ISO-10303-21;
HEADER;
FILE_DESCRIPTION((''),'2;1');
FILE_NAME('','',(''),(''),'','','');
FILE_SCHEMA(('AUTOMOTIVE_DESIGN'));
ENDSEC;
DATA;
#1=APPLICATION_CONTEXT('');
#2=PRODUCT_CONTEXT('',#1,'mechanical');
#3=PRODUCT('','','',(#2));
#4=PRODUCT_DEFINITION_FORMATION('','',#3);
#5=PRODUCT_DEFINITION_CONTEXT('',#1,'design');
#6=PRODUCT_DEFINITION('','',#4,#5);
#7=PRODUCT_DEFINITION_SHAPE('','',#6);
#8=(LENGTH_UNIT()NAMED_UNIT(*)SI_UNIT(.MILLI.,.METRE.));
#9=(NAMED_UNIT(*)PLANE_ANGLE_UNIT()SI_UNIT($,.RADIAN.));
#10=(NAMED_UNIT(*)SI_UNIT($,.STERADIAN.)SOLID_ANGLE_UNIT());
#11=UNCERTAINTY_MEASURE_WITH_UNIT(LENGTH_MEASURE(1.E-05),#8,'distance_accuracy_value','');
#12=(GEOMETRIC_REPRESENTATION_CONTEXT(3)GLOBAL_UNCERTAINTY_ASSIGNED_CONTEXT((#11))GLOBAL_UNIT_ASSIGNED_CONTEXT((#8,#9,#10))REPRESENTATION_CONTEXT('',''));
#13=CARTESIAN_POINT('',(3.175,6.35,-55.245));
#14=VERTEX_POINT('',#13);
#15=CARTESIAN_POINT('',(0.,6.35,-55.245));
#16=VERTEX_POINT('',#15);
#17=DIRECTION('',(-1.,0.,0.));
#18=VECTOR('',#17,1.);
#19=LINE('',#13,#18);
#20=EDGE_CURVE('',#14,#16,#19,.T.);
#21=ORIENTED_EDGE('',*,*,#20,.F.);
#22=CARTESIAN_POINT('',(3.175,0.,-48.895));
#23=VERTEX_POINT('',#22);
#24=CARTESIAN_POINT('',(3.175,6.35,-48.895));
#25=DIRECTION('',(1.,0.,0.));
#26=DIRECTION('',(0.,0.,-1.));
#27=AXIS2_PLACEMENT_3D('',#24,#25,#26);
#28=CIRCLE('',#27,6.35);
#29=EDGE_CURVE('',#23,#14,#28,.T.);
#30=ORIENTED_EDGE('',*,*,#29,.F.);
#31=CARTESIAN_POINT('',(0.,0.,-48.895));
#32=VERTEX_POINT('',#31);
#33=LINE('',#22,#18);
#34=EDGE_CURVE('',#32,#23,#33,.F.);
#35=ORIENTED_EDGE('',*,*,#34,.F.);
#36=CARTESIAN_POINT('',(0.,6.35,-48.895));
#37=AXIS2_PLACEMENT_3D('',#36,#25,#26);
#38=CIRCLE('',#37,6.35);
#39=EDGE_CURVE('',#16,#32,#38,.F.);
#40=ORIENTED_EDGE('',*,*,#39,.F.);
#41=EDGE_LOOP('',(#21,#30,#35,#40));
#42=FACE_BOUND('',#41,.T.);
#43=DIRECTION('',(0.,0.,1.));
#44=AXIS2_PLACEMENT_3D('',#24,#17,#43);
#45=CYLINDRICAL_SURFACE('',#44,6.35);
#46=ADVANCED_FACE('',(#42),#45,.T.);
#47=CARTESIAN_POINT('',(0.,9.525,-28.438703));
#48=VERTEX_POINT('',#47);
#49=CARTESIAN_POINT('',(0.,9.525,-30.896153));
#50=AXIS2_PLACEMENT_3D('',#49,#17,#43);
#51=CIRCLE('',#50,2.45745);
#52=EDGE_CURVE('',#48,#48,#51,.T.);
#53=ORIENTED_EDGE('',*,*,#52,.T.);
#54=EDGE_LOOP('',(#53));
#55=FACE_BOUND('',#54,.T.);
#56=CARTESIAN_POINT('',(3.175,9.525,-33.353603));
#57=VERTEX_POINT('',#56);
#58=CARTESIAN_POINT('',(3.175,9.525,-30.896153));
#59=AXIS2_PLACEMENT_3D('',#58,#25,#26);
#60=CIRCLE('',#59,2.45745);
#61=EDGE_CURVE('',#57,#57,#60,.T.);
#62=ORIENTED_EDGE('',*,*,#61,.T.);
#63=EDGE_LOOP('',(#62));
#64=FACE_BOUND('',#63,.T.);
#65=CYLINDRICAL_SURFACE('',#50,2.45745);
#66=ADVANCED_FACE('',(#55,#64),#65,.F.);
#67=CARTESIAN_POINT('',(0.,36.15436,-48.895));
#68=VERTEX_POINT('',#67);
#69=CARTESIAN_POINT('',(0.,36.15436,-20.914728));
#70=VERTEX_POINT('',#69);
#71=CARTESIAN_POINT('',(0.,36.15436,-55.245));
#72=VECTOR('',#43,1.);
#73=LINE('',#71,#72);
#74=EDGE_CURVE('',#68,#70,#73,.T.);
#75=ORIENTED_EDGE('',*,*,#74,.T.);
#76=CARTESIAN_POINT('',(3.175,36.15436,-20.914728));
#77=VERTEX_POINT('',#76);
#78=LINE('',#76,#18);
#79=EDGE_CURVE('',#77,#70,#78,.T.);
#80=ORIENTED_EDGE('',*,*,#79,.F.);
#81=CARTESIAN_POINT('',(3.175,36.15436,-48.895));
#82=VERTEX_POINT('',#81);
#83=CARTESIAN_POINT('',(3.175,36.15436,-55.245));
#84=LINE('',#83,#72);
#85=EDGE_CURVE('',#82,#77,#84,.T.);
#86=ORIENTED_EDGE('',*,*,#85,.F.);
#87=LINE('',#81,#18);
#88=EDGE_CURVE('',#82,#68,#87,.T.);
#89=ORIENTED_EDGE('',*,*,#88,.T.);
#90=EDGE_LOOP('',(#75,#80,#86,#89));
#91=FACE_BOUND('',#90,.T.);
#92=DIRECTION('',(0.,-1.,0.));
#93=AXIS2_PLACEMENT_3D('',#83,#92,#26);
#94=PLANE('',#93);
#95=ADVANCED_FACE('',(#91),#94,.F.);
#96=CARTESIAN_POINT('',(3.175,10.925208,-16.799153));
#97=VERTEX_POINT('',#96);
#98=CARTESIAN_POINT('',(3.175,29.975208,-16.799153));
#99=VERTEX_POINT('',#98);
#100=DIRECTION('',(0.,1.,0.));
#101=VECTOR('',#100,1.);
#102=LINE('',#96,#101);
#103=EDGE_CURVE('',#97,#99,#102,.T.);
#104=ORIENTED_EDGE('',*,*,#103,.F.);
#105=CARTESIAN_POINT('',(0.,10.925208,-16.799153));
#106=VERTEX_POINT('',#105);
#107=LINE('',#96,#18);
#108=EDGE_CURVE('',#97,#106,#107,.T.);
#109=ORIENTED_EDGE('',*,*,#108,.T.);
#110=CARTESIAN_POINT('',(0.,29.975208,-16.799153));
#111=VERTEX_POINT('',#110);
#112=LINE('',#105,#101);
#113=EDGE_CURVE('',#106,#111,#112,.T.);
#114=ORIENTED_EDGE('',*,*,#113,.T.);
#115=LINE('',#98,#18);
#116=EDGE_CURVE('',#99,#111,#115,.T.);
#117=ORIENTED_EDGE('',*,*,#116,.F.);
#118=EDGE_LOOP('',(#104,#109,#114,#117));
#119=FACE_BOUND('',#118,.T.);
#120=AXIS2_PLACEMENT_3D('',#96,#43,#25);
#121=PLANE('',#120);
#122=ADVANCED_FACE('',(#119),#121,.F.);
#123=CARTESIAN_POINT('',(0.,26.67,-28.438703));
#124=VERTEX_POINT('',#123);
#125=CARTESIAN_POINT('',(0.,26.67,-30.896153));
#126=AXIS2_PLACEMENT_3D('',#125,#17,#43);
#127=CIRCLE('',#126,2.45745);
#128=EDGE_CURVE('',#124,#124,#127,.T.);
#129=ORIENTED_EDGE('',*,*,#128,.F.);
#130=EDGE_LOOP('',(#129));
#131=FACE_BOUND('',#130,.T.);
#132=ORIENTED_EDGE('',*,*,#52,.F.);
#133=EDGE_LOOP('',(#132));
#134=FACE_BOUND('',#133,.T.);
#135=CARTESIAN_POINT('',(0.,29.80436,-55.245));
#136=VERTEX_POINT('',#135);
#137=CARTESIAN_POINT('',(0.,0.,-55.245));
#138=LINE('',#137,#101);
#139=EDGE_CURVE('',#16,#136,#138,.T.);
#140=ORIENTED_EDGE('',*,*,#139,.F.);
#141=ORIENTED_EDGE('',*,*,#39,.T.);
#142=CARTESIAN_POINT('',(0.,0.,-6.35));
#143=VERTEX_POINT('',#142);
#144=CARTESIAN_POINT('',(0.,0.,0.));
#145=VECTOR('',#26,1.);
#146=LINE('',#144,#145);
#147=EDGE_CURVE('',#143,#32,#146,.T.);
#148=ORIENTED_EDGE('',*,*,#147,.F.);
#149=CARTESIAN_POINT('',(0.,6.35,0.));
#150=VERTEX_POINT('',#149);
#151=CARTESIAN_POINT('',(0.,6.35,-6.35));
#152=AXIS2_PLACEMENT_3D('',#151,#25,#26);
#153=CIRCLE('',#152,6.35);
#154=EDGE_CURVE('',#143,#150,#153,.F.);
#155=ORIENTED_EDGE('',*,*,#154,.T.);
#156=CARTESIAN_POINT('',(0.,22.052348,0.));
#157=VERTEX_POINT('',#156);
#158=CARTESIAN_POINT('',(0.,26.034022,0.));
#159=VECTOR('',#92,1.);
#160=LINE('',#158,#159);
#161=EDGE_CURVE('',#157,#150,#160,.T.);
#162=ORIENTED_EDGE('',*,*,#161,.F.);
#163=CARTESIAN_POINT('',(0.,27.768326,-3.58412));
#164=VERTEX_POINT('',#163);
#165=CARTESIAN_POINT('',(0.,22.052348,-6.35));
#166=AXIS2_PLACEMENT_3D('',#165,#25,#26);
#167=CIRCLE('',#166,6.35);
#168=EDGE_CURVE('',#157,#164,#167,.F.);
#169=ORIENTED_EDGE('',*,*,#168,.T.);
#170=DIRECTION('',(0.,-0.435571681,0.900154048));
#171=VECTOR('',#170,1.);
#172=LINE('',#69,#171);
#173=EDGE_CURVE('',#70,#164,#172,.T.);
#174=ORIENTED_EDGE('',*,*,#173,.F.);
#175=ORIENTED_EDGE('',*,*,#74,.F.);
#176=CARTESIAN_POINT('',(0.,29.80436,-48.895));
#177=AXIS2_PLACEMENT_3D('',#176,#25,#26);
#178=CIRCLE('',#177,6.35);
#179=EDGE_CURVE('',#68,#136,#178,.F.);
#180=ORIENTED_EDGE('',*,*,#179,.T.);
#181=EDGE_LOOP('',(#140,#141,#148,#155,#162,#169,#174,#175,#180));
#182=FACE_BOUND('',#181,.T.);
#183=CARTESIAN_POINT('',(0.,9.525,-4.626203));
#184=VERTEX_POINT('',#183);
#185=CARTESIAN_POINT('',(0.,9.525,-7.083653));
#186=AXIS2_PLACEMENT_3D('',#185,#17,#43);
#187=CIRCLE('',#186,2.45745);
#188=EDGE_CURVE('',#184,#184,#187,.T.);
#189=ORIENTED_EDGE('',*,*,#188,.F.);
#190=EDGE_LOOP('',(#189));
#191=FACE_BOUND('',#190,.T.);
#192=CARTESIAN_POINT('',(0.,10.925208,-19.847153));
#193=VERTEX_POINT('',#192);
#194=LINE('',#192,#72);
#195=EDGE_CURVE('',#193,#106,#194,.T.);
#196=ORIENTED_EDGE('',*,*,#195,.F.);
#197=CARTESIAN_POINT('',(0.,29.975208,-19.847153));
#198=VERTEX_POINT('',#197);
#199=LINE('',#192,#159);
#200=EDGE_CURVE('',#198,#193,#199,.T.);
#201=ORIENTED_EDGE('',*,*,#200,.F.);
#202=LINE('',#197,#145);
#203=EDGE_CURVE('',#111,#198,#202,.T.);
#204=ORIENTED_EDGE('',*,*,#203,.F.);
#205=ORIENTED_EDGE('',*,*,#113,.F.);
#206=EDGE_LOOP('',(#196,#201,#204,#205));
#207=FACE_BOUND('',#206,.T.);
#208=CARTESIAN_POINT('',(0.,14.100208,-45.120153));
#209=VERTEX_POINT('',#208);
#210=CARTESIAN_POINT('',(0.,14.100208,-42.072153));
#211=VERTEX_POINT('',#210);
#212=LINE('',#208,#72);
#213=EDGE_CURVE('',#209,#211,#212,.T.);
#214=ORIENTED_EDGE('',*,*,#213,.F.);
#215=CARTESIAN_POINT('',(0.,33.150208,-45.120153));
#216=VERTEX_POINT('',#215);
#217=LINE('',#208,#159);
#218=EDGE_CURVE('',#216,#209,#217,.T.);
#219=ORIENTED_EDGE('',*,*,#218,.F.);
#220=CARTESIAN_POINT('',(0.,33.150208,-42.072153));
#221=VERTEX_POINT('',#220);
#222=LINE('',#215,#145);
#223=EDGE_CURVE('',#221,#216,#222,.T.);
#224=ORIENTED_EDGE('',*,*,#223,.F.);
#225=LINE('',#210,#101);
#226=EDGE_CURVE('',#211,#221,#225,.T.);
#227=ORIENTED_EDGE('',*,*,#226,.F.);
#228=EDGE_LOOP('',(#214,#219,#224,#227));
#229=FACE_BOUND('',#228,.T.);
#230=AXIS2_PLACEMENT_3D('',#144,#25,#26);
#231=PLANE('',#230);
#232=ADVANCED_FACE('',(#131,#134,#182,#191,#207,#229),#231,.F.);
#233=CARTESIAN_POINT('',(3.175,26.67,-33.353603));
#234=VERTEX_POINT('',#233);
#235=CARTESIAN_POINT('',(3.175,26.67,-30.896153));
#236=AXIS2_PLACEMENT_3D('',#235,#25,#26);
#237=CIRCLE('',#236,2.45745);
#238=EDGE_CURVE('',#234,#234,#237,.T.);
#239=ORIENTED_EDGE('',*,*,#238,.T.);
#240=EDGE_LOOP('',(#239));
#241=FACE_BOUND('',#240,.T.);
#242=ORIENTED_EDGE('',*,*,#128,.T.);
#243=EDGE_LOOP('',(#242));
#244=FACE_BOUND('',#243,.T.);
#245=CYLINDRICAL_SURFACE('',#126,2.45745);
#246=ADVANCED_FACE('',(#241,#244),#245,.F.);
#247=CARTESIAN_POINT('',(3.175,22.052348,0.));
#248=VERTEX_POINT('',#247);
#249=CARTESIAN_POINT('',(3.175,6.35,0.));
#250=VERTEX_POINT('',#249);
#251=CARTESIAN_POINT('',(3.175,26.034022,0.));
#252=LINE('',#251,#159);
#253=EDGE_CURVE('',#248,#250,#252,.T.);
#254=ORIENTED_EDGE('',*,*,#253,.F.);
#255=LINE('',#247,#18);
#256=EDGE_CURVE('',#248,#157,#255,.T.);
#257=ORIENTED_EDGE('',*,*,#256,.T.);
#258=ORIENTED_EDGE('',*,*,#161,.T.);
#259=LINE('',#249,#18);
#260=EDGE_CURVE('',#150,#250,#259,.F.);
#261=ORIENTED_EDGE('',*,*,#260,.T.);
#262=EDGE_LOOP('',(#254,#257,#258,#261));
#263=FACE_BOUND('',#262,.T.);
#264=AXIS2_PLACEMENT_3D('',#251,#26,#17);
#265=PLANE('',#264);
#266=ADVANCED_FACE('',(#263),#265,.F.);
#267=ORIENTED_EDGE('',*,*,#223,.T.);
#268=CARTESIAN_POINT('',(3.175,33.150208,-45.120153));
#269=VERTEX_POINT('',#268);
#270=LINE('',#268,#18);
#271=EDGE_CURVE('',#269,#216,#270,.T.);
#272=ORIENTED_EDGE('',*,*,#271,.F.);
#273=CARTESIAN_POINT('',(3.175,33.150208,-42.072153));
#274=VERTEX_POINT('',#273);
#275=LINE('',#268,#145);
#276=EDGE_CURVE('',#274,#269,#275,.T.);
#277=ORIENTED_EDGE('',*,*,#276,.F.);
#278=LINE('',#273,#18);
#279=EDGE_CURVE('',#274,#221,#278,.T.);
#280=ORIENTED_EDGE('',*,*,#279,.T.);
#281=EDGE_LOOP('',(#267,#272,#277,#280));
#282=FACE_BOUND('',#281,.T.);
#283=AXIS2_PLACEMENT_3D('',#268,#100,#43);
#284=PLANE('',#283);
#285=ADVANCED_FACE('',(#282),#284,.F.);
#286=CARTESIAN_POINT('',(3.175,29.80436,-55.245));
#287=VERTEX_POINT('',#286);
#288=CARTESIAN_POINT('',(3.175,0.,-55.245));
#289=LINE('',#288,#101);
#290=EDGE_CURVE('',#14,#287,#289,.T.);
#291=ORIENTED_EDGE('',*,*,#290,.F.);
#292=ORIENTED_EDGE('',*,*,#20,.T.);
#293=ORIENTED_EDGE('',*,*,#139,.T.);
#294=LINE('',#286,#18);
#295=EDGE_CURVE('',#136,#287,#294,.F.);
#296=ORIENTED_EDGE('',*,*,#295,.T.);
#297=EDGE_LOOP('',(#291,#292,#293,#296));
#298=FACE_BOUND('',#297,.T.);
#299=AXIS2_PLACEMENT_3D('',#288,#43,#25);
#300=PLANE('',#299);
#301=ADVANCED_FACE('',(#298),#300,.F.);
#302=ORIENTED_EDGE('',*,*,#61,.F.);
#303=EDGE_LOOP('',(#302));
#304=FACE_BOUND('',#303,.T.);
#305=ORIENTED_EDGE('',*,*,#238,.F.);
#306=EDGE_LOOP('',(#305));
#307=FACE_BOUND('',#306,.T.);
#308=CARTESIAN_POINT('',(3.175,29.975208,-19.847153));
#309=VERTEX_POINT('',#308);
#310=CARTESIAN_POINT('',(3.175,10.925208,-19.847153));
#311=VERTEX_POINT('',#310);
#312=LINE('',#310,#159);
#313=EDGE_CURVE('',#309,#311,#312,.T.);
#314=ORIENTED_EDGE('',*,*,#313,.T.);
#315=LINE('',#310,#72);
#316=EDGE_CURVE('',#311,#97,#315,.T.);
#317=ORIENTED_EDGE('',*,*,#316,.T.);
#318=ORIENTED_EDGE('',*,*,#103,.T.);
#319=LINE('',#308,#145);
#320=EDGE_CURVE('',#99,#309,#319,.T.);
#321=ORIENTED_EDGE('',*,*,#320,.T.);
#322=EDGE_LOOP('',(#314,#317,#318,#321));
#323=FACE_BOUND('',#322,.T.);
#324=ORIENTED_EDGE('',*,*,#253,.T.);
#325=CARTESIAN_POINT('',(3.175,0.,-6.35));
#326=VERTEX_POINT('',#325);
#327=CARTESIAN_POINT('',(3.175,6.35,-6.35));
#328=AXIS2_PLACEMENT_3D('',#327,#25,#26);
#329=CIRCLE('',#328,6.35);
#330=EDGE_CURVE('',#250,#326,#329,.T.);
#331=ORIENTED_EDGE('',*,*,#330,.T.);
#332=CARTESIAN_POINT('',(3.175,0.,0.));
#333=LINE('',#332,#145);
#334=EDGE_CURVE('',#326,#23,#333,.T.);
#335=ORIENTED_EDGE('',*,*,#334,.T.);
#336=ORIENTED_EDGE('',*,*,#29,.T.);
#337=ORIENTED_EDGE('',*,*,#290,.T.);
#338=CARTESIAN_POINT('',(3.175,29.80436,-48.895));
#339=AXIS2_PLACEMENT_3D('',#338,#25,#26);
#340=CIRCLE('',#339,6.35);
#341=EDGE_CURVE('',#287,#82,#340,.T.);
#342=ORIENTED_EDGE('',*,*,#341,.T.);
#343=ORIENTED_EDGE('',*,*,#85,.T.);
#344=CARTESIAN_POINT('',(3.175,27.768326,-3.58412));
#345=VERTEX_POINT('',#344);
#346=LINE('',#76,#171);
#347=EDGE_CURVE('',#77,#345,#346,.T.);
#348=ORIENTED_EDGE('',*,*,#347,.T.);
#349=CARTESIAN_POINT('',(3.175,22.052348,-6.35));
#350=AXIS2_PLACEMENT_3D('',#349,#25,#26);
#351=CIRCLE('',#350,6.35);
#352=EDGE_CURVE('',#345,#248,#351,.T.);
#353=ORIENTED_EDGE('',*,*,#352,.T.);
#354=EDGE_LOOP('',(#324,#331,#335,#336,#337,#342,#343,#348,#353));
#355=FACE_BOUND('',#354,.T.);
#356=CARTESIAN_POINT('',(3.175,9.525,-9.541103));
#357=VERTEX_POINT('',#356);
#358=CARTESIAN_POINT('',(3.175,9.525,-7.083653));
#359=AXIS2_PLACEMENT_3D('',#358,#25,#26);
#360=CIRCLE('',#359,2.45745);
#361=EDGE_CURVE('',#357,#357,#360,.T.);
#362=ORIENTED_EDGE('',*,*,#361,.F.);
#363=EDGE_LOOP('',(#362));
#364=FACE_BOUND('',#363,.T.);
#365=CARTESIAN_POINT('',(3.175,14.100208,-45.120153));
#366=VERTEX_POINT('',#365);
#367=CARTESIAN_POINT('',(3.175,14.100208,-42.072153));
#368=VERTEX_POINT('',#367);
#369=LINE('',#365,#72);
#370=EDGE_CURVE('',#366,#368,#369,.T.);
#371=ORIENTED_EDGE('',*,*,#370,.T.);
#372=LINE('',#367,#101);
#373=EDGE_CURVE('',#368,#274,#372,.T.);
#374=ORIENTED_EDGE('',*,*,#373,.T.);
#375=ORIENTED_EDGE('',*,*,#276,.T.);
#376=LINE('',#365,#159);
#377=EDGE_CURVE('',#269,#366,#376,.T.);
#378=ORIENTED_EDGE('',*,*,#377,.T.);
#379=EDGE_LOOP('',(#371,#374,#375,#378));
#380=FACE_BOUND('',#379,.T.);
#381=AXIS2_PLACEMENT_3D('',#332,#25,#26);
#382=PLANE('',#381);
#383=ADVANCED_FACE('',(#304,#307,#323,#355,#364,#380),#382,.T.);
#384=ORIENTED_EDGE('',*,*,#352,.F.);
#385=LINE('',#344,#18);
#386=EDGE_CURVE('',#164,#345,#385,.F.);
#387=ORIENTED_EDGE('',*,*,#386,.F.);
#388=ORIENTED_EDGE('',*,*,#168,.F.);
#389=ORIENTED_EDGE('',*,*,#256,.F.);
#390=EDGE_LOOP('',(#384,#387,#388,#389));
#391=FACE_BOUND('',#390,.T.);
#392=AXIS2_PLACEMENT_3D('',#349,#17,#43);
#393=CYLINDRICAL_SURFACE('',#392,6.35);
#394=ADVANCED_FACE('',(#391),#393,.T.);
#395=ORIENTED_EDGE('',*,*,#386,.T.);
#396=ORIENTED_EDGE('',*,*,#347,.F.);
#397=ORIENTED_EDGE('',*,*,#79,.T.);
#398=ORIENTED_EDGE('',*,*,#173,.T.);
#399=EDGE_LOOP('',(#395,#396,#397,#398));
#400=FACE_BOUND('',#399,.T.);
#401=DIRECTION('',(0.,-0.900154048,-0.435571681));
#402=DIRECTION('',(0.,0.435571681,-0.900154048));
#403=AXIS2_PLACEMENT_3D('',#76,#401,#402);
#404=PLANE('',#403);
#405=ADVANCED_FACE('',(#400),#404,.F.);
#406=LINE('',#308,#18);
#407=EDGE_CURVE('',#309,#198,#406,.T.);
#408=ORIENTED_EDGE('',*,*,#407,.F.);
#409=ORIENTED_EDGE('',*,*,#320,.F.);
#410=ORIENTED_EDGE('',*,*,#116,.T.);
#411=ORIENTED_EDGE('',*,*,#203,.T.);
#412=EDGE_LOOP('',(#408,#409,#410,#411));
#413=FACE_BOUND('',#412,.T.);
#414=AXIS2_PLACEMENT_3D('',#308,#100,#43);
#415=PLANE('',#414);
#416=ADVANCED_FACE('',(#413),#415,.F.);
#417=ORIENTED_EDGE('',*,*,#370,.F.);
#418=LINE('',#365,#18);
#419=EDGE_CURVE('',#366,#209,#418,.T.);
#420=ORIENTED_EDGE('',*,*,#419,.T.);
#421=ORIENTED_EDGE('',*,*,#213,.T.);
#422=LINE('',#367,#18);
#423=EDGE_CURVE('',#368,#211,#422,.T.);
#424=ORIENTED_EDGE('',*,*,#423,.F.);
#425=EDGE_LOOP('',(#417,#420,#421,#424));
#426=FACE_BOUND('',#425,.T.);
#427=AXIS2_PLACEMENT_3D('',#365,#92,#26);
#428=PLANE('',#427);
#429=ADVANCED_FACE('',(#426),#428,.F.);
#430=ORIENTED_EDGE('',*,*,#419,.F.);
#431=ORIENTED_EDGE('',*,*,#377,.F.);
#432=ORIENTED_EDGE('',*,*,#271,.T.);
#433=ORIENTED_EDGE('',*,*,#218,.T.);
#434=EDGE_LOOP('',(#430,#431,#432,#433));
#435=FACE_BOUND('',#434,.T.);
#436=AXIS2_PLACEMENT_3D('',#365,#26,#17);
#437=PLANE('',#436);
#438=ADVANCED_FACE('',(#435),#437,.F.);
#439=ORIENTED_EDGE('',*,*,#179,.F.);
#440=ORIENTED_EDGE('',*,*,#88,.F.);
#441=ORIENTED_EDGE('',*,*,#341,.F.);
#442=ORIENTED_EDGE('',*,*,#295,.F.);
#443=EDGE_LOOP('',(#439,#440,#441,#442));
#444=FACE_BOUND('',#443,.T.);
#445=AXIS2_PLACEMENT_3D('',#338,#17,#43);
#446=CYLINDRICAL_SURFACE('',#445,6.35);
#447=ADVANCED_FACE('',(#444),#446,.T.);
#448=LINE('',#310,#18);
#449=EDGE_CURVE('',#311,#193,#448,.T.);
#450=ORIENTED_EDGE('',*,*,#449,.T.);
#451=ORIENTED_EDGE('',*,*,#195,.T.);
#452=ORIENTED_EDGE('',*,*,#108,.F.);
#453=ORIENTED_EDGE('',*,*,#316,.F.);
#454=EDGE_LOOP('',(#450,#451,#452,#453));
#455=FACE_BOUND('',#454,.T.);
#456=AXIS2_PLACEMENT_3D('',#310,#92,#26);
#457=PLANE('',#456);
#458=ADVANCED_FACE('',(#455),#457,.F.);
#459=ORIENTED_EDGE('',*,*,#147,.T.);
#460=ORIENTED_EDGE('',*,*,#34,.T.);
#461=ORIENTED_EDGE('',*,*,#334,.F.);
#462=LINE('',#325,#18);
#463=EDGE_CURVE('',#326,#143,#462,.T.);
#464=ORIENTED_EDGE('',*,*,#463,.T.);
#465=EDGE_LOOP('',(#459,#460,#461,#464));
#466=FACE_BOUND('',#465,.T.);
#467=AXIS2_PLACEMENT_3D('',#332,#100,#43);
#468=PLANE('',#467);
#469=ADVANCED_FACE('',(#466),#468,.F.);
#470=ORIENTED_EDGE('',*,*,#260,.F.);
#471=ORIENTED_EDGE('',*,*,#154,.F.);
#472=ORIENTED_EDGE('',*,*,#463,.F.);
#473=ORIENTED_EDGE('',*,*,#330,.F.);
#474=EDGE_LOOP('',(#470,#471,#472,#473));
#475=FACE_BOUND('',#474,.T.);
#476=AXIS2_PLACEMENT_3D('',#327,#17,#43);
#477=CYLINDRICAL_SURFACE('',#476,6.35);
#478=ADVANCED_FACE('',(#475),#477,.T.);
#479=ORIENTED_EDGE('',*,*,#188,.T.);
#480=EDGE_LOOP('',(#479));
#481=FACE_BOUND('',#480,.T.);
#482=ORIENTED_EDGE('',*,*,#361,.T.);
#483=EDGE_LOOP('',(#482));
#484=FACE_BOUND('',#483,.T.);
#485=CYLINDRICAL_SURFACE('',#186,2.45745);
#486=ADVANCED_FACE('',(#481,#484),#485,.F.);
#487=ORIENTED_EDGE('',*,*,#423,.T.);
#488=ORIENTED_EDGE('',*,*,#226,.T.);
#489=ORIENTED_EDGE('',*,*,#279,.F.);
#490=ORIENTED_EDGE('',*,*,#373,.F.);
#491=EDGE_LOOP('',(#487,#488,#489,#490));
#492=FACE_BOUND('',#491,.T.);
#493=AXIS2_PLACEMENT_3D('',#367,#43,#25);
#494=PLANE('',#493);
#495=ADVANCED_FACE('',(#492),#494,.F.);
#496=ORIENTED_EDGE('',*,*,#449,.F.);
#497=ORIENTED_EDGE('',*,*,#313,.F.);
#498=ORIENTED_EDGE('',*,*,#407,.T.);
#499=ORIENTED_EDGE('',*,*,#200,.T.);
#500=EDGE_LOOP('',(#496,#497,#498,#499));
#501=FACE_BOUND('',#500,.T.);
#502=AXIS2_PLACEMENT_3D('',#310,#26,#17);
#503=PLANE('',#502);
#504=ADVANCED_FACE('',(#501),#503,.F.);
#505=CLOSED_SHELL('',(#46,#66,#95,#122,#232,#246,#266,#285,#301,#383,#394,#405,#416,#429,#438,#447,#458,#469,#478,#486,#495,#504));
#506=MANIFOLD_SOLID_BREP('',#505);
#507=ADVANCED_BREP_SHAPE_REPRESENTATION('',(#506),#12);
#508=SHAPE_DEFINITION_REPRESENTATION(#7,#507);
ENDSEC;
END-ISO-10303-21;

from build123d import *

# Parameters (mm, degrees)
BOSS_EXTRUDE1_DEPTH              = 3.175
SKETCH7_W                        = 3.048
SKETCH7_H                        = 19.05
CUT_EXTRUDE1_DEPTH               = 3.175
FILLET1_R                        = 6.35
F_10_0_1935_DIAMETER_HOLE2_D     = 4.9149
F_10_0_1935_DIAMETER_HOLE2_DEPTH = 9.699415072
F_10_0_1935_DIAMETER_HOLE2_TIP   = 1.476584928


with BuildPart() as part:
    # Sketch1 → Boss-Extrude1 (new body)
    with BuildSketch(Plane(origin=(0, 0, 0), x_dir=(0, 0, -1), z_dir=(1, 0, 0))):
        Polygon((55.245, 0), (55.245, 36.15436), (20.9147283, 36.15436), (0, 26.034021846), (0, 0), align=None)
    extrude(amount=BOSS_EXTRUDE1_DEPTH)

    # Sketch7 → Cut-Extrude1 (cut)
    with BuildSketch(Plane.ZY):
        with Locations((-43.596153092, 23.625208274)):
            Rectangle(SKETCH7_W, SKETCH7_H)
        with Locations((-18.323153092, 20.450208274)):
            Rectangle(SKETCH7_W, SKETCH7_H)
    extrude(amount=-CUT_EXTRUDE1_DEPTH, mode=Mode.SUBTRACT)

    # Fillet1
    fillet1_edges = [part.edges().sort_by_distance(p)[0] for p in [
        (1.5875, 0, 0),
        (1.5875, 26.034021846, 0),
        (1.5875, 36.15436, -55.245),
        (1.5875, 0, -55.245),
    ]]
    fillet(fillet1_edges, radius=FILLET1_R)

    # #10 (0.1935) Diameter Hole2
    with Locations(Plane.ZY):
        with Locations((-30.896153092, 9.525), (-30.896153092, 26.67), (-7.083653092, 9.525)):
            Hole(F_10_0_1935_DIAMETER_HOLE2_D / 2, depth=F_10_0_1935_DIAMETER_HOLE2_DEPTH)
            with Locations((0, 0, -(F_10_0_1935_DIAMETER_HOLE2_DEPTH + F_10_0_1935_DIAMETER_HOLE2_TIP / 2))):  # 118° drill point
                Cone(0, F_10_0_1935_DIAMETER_HOLE2_D / 2, F_10_0_1935_DIAMETER_HOLE2_TIP, mode=Mode.SUBTRACT)


solid = part.part
